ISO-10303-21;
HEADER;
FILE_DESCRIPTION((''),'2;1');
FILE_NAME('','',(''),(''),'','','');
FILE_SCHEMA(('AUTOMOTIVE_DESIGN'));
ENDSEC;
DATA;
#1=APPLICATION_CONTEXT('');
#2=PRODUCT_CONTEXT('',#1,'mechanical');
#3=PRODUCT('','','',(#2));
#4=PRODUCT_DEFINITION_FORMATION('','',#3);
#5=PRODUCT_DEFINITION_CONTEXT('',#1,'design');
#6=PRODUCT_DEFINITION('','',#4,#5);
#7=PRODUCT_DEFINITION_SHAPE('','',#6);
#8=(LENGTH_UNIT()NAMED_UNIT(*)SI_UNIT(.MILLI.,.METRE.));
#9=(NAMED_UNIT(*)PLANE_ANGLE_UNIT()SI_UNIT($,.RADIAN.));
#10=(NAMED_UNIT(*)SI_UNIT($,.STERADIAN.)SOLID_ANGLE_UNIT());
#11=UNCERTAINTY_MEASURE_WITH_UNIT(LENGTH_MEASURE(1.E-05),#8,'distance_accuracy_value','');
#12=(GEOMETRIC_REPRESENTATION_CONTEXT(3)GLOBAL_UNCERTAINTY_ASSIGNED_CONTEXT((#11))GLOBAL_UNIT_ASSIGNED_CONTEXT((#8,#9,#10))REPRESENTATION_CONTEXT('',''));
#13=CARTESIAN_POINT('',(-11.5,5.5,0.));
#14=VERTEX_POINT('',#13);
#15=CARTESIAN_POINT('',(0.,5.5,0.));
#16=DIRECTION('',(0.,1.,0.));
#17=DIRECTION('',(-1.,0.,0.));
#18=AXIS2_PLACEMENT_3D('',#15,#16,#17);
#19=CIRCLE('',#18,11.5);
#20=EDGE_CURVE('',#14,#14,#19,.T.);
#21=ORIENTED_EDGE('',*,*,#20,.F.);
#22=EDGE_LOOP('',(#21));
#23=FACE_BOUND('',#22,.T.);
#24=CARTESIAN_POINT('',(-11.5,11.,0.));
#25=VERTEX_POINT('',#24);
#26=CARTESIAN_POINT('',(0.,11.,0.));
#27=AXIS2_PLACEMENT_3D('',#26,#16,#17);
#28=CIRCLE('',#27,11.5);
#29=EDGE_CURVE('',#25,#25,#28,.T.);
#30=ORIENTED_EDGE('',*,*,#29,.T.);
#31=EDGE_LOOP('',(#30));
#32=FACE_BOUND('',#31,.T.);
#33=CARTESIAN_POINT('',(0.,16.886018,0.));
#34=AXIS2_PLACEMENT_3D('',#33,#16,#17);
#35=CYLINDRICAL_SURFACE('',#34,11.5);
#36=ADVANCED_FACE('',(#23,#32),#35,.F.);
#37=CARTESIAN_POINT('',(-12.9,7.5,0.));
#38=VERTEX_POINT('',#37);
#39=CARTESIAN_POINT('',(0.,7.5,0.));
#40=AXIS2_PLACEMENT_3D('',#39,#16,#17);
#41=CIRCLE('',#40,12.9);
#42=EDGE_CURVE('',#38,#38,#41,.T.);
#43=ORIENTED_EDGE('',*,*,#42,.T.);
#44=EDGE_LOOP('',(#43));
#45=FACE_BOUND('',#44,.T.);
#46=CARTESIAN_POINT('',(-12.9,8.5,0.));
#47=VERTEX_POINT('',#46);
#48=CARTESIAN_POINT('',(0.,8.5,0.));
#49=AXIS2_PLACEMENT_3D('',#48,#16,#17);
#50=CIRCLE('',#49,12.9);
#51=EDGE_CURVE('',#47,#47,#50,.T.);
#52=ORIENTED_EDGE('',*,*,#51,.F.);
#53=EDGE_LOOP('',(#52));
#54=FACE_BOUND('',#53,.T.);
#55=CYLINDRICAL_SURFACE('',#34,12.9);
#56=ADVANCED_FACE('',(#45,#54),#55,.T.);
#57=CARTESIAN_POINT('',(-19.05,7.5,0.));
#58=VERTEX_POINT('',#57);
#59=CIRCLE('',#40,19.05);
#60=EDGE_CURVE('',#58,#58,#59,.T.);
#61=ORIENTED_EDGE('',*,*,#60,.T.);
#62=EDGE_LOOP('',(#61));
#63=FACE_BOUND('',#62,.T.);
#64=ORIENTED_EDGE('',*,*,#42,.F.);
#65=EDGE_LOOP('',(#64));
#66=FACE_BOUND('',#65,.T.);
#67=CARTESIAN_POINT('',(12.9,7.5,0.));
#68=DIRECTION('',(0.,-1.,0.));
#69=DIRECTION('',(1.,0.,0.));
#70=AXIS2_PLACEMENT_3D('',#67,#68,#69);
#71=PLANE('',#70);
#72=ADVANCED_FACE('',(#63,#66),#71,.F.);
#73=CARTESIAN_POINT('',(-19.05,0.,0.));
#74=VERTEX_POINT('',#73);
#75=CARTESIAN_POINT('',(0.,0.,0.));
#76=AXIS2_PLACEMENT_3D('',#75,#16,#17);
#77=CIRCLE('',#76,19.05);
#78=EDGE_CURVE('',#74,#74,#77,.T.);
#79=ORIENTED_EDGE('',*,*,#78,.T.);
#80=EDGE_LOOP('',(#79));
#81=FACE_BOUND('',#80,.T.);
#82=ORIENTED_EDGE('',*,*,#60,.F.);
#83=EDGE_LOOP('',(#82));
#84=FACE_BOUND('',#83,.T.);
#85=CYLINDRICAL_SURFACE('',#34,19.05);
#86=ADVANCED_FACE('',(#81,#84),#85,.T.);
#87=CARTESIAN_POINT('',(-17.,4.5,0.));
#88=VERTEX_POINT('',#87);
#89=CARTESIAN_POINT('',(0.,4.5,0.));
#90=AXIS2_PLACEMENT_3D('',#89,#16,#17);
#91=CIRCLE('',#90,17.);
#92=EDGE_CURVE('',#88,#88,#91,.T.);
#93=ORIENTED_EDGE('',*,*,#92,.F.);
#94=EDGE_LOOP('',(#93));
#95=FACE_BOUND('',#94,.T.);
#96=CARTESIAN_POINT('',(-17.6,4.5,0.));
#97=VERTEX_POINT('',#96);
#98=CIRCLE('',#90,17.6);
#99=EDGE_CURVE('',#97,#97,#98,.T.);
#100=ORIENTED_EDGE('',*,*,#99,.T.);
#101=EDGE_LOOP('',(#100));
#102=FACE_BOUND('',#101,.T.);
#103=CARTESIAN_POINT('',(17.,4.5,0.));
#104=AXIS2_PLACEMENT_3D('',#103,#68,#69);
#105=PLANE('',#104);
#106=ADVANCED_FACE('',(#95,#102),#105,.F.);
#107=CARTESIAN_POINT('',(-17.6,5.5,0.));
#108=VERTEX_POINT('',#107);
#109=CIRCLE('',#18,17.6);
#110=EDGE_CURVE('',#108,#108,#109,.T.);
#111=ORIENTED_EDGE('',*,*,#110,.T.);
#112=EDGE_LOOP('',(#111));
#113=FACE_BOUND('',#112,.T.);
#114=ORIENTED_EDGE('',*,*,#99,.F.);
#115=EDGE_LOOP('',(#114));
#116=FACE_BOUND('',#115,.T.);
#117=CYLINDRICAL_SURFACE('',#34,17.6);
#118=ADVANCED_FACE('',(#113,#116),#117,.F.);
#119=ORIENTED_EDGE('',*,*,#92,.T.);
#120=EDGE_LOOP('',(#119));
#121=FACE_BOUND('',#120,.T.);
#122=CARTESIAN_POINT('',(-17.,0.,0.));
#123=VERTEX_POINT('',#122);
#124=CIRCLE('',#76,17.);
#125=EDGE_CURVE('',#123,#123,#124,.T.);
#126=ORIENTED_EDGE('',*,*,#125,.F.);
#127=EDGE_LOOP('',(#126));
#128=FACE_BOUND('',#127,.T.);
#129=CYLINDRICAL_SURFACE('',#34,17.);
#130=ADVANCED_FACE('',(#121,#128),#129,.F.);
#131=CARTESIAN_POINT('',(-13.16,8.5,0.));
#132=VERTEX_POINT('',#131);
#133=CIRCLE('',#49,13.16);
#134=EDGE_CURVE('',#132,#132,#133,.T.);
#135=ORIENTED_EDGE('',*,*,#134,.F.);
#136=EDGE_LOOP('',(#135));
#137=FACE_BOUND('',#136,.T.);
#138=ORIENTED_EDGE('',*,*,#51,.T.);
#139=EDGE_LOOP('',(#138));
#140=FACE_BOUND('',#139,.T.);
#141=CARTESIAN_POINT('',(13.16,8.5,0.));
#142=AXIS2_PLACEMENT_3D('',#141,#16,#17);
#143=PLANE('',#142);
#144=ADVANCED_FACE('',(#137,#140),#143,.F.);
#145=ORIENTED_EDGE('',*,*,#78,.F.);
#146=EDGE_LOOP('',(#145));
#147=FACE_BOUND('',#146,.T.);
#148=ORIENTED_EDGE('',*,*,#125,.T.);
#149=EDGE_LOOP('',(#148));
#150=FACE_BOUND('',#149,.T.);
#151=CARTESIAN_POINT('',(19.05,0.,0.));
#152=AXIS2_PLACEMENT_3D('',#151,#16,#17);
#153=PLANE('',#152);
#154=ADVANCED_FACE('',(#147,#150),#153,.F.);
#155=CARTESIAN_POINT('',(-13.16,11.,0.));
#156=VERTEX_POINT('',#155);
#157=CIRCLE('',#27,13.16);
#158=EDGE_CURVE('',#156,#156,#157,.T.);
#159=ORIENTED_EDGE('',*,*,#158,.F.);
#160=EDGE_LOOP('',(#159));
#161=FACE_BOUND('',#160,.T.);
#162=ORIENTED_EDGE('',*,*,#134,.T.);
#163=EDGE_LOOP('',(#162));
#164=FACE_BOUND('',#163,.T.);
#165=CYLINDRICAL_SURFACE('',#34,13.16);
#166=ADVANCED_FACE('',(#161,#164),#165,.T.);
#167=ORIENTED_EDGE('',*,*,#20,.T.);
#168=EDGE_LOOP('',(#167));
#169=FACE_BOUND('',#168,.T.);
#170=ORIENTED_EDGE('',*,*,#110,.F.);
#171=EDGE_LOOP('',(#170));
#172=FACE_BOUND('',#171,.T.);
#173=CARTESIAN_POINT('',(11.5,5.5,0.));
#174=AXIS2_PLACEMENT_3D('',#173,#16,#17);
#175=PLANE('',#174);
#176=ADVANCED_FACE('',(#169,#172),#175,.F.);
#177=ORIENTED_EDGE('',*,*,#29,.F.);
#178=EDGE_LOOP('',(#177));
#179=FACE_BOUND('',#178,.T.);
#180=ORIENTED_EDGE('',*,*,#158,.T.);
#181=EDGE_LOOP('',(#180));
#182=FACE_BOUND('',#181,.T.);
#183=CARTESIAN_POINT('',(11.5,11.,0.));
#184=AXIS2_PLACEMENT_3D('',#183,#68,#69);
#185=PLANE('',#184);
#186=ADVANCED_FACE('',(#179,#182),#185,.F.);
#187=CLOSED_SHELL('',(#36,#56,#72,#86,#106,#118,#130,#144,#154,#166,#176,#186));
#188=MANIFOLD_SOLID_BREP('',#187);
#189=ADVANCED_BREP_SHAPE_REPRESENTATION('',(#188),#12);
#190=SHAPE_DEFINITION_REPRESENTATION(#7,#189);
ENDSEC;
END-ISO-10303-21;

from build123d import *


with BuildPart() as part:
    # 草图1 → 旋转1 (revolve)
    with BuildSketch(Plane.XY, mode=Mode.PRIVATE) as revolve_1_sk:
        Polygon((17, 0), (17, 4.5), (17.6, 4.5), (17.6, 5.5), (11.5, 5.5), (11.5, 11), (13.16, 11), (13.16, 8.5), (12.9, 8.5), (12.9, 7.5), (19.05, 7.5), (19.05, 0), align=None)
    revolve(revolve_1_sk.sketch.rotate(Axis((0, 16.886018237, 0), (0, -1, 0)), 180), axis=Axis((0, 16.886018237, 0), (0, -1, 0)))  # turned: the seam where the file's is


solid = part.part
